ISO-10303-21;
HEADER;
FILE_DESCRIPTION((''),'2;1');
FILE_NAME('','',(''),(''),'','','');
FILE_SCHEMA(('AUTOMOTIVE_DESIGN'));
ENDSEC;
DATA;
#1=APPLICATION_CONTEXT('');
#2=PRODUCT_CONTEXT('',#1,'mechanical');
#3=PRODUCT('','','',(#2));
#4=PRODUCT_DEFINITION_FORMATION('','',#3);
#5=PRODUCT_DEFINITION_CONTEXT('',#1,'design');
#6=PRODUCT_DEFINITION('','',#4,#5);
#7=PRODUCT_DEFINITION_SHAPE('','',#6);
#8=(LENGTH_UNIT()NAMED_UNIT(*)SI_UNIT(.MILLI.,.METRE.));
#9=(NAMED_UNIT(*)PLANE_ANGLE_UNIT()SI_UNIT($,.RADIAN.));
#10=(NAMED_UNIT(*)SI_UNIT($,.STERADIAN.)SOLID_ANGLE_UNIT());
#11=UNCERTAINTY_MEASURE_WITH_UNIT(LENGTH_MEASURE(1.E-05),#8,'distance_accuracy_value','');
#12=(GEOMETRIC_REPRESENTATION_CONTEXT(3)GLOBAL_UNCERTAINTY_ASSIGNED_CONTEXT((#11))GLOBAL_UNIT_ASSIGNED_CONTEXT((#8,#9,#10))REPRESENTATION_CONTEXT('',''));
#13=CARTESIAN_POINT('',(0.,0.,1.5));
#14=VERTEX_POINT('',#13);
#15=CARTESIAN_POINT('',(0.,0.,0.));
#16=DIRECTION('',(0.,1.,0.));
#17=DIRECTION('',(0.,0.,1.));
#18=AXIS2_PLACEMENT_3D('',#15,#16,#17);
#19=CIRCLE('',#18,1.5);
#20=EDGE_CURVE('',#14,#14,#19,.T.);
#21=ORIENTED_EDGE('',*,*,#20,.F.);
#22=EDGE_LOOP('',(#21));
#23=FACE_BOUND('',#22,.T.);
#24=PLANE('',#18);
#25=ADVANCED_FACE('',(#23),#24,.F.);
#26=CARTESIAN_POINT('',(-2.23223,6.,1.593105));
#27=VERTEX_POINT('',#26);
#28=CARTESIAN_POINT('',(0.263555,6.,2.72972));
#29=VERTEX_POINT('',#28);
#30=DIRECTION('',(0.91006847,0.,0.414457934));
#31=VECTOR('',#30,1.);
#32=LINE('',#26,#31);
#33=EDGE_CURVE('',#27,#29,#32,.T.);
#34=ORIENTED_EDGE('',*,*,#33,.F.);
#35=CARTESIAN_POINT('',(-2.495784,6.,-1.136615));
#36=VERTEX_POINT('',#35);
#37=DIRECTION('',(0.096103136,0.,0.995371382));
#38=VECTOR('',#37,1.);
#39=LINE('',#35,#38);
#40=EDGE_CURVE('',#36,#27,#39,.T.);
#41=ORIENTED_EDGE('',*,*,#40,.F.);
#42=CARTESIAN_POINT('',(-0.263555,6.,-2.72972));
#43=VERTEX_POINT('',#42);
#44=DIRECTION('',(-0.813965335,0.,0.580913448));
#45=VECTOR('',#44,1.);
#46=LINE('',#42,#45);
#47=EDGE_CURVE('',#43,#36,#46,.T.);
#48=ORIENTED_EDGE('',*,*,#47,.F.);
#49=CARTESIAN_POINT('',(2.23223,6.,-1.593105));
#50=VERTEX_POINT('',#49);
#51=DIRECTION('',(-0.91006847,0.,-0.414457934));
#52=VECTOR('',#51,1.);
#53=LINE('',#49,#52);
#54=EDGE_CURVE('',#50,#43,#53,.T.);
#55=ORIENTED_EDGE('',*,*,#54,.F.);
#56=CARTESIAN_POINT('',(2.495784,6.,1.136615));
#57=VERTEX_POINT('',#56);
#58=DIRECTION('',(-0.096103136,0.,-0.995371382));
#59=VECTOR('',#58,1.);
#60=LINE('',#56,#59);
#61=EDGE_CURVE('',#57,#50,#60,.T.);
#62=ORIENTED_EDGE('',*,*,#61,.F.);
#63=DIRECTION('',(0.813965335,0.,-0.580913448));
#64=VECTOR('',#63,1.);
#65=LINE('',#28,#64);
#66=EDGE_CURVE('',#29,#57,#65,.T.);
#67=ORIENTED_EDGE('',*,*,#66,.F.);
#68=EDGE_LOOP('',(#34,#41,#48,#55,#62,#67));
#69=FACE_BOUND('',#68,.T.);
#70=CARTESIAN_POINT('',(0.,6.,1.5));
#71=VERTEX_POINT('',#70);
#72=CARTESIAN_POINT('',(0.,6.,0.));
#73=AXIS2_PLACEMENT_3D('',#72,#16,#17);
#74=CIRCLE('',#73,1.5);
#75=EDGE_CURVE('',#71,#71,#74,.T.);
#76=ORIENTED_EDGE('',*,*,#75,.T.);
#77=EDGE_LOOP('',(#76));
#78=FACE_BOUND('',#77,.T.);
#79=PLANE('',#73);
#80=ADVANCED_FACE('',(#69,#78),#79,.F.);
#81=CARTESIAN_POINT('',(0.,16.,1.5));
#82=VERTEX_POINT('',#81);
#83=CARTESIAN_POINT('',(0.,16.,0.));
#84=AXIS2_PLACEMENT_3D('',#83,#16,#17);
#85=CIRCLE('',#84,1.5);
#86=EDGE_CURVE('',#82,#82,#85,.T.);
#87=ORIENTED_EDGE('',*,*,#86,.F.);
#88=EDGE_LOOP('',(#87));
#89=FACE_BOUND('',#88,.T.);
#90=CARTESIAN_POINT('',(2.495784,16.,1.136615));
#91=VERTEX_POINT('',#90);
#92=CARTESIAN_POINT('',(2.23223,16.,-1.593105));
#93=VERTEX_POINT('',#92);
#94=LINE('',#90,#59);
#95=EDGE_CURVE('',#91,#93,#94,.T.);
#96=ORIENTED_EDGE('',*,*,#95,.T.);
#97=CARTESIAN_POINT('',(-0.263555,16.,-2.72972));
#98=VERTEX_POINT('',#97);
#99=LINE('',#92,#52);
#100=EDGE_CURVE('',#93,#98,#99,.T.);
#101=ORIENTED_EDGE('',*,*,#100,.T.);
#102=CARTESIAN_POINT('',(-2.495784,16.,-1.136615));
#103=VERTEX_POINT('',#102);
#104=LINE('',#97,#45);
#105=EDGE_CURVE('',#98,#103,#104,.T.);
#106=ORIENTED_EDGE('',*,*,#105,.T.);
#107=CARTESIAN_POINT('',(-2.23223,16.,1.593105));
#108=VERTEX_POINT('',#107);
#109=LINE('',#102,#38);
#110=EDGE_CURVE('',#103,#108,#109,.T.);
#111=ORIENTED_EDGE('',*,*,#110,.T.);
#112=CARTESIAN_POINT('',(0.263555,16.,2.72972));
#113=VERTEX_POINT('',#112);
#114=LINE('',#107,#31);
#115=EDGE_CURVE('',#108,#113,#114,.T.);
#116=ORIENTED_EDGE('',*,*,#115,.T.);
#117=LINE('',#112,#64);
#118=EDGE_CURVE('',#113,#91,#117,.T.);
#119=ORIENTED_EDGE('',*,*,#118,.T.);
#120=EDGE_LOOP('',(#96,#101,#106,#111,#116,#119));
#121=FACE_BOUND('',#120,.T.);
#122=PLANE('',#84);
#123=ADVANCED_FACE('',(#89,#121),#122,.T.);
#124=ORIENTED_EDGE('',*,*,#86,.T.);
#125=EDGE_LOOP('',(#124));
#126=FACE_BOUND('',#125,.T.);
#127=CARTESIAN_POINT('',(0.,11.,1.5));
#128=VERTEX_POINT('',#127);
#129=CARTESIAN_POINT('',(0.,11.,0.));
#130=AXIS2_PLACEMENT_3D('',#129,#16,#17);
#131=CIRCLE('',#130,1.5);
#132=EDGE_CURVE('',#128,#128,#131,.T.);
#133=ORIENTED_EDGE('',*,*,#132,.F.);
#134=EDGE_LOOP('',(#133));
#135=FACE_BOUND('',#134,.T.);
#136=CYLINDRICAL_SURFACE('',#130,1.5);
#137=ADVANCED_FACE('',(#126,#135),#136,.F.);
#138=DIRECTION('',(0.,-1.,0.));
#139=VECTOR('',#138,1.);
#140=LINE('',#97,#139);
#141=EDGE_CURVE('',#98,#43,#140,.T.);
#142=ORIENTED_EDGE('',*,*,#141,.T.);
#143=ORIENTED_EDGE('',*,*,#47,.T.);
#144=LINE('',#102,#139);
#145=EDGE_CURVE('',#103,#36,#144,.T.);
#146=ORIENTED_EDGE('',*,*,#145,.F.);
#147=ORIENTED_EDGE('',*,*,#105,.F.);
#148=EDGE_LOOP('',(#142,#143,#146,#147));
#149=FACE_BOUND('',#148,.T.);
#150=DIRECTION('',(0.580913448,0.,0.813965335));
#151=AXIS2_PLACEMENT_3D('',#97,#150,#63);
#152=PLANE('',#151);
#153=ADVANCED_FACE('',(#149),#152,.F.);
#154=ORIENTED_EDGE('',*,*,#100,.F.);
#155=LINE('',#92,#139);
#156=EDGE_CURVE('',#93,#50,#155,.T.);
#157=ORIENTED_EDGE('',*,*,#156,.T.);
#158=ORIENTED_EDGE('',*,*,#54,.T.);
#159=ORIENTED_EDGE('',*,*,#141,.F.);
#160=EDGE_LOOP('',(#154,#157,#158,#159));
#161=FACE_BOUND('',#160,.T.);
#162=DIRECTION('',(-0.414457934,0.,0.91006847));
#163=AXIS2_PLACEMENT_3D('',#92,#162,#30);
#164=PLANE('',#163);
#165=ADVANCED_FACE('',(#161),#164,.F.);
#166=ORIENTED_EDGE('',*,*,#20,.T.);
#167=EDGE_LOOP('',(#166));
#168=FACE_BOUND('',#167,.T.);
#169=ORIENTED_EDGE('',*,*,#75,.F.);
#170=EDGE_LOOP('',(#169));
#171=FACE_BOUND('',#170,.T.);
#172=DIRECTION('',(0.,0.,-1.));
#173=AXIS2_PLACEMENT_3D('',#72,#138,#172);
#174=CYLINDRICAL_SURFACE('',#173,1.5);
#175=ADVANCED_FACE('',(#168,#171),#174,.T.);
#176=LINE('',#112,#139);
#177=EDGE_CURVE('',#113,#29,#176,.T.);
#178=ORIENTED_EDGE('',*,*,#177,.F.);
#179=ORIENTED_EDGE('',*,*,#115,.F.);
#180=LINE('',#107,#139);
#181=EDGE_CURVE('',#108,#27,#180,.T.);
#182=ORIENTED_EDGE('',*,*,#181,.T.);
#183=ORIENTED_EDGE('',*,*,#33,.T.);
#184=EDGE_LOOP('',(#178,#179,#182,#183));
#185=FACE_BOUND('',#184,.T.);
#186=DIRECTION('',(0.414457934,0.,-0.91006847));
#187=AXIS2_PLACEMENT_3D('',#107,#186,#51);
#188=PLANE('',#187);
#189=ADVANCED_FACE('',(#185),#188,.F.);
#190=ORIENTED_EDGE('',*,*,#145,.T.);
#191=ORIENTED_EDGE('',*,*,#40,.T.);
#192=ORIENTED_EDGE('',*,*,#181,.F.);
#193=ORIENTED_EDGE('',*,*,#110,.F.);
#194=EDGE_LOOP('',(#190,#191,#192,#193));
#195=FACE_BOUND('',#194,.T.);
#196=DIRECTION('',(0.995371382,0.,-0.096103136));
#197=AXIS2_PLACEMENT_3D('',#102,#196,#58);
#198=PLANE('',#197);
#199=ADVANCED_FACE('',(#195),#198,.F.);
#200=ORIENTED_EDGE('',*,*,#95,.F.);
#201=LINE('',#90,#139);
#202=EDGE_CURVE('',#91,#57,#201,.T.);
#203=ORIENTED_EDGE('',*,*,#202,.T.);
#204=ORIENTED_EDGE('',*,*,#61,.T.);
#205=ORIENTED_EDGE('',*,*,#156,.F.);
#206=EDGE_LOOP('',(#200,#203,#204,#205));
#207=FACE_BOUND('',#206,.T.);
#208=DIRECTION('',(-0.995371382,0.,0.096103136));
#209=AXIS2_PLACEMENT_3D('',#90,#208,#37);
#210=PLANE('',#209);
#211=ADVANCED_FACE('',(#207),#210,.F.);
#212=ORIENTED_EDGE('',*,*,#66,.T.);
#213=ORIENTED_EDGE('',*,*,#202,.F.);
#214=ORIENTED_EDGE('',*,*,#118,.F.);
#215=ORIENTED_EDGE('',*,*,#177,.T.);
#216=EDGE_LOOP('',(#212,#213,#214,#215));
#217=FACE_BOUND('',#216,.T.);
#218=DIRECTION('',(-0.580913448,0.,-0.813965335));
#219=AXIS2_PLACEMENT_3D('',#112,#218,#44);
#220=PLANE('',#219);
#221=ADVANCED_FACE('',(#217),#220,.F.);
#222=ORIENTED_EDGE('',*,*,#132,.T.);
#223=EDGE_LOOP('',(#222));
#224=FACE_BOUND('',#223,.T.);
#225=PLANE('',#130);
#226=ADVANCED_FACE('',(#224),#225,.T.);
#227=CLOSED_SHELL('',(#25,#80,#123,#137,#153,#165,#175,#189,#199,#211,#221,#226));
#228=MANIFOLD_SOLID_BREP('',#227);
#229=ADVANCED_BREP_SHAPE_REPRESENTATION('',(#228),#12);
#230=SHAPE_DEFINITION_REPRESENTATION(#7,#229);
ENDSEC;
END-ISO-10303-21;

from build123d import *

# Parameters (mm, degrees)
SKETCH_1_R          = 1.5
EXTRUDE_1_DEPTH     = 6
EXTRUDE_2_DEPTH     = 10
CUT_EXTRUDE_START   = -5
SKETCH_3_R          = 1.5
CUT_EXTRUDE_1_DEPTH = 5


with BuildPart() as part:
    # 草图1 → 凸台-拉伸1 (new body)
    with BuildSketch(Plane(origin=(0, 0, 0), x_dir=(1, 0, 0), z_dir=(0, 1, 0))):
        with Locations(Location((0, 0, 0), (0, 0, 270))):
            Circle(SKETCH_1_R)
    extrude(amount=EXTRUDE_1_DEPTH)

    # 草图2 → 凸台-拉伸2 (add)
    with BuildSketch(Plane(origin=(0, 6, 0), x_dir=(1, 0, 0), z_dir=(0, 1, 0))):
        Polygon((2.495784313, -1.136615149), (2.23222975, 1.593105043), (-0.263554563, 2.729720192), (-2.495784313, 1.136615149), (-2.23222975, -1.593105043), (0.263554563, -2.729720192), align=None)
    extrude(amount=EXTRUDE_2_DEPTH)

    # 草图3 → 切除-拉伸1 (cut)
    with BuildSketch(Plane(origin=(0, 16, 0), x_dir=(1, 0, 0), z_dir=(0, 1, 0)).offset(CUT_EXTRUDE_START)):
        with Locations(Location((0, 0, 0), (0, 0, 270))):
            Circle(SKETCH_3_R)
    extrude(amount=CUT_EXTRUDE_1_DEPTH, mode=Mode.SUBTRACT)


solid = part.part
